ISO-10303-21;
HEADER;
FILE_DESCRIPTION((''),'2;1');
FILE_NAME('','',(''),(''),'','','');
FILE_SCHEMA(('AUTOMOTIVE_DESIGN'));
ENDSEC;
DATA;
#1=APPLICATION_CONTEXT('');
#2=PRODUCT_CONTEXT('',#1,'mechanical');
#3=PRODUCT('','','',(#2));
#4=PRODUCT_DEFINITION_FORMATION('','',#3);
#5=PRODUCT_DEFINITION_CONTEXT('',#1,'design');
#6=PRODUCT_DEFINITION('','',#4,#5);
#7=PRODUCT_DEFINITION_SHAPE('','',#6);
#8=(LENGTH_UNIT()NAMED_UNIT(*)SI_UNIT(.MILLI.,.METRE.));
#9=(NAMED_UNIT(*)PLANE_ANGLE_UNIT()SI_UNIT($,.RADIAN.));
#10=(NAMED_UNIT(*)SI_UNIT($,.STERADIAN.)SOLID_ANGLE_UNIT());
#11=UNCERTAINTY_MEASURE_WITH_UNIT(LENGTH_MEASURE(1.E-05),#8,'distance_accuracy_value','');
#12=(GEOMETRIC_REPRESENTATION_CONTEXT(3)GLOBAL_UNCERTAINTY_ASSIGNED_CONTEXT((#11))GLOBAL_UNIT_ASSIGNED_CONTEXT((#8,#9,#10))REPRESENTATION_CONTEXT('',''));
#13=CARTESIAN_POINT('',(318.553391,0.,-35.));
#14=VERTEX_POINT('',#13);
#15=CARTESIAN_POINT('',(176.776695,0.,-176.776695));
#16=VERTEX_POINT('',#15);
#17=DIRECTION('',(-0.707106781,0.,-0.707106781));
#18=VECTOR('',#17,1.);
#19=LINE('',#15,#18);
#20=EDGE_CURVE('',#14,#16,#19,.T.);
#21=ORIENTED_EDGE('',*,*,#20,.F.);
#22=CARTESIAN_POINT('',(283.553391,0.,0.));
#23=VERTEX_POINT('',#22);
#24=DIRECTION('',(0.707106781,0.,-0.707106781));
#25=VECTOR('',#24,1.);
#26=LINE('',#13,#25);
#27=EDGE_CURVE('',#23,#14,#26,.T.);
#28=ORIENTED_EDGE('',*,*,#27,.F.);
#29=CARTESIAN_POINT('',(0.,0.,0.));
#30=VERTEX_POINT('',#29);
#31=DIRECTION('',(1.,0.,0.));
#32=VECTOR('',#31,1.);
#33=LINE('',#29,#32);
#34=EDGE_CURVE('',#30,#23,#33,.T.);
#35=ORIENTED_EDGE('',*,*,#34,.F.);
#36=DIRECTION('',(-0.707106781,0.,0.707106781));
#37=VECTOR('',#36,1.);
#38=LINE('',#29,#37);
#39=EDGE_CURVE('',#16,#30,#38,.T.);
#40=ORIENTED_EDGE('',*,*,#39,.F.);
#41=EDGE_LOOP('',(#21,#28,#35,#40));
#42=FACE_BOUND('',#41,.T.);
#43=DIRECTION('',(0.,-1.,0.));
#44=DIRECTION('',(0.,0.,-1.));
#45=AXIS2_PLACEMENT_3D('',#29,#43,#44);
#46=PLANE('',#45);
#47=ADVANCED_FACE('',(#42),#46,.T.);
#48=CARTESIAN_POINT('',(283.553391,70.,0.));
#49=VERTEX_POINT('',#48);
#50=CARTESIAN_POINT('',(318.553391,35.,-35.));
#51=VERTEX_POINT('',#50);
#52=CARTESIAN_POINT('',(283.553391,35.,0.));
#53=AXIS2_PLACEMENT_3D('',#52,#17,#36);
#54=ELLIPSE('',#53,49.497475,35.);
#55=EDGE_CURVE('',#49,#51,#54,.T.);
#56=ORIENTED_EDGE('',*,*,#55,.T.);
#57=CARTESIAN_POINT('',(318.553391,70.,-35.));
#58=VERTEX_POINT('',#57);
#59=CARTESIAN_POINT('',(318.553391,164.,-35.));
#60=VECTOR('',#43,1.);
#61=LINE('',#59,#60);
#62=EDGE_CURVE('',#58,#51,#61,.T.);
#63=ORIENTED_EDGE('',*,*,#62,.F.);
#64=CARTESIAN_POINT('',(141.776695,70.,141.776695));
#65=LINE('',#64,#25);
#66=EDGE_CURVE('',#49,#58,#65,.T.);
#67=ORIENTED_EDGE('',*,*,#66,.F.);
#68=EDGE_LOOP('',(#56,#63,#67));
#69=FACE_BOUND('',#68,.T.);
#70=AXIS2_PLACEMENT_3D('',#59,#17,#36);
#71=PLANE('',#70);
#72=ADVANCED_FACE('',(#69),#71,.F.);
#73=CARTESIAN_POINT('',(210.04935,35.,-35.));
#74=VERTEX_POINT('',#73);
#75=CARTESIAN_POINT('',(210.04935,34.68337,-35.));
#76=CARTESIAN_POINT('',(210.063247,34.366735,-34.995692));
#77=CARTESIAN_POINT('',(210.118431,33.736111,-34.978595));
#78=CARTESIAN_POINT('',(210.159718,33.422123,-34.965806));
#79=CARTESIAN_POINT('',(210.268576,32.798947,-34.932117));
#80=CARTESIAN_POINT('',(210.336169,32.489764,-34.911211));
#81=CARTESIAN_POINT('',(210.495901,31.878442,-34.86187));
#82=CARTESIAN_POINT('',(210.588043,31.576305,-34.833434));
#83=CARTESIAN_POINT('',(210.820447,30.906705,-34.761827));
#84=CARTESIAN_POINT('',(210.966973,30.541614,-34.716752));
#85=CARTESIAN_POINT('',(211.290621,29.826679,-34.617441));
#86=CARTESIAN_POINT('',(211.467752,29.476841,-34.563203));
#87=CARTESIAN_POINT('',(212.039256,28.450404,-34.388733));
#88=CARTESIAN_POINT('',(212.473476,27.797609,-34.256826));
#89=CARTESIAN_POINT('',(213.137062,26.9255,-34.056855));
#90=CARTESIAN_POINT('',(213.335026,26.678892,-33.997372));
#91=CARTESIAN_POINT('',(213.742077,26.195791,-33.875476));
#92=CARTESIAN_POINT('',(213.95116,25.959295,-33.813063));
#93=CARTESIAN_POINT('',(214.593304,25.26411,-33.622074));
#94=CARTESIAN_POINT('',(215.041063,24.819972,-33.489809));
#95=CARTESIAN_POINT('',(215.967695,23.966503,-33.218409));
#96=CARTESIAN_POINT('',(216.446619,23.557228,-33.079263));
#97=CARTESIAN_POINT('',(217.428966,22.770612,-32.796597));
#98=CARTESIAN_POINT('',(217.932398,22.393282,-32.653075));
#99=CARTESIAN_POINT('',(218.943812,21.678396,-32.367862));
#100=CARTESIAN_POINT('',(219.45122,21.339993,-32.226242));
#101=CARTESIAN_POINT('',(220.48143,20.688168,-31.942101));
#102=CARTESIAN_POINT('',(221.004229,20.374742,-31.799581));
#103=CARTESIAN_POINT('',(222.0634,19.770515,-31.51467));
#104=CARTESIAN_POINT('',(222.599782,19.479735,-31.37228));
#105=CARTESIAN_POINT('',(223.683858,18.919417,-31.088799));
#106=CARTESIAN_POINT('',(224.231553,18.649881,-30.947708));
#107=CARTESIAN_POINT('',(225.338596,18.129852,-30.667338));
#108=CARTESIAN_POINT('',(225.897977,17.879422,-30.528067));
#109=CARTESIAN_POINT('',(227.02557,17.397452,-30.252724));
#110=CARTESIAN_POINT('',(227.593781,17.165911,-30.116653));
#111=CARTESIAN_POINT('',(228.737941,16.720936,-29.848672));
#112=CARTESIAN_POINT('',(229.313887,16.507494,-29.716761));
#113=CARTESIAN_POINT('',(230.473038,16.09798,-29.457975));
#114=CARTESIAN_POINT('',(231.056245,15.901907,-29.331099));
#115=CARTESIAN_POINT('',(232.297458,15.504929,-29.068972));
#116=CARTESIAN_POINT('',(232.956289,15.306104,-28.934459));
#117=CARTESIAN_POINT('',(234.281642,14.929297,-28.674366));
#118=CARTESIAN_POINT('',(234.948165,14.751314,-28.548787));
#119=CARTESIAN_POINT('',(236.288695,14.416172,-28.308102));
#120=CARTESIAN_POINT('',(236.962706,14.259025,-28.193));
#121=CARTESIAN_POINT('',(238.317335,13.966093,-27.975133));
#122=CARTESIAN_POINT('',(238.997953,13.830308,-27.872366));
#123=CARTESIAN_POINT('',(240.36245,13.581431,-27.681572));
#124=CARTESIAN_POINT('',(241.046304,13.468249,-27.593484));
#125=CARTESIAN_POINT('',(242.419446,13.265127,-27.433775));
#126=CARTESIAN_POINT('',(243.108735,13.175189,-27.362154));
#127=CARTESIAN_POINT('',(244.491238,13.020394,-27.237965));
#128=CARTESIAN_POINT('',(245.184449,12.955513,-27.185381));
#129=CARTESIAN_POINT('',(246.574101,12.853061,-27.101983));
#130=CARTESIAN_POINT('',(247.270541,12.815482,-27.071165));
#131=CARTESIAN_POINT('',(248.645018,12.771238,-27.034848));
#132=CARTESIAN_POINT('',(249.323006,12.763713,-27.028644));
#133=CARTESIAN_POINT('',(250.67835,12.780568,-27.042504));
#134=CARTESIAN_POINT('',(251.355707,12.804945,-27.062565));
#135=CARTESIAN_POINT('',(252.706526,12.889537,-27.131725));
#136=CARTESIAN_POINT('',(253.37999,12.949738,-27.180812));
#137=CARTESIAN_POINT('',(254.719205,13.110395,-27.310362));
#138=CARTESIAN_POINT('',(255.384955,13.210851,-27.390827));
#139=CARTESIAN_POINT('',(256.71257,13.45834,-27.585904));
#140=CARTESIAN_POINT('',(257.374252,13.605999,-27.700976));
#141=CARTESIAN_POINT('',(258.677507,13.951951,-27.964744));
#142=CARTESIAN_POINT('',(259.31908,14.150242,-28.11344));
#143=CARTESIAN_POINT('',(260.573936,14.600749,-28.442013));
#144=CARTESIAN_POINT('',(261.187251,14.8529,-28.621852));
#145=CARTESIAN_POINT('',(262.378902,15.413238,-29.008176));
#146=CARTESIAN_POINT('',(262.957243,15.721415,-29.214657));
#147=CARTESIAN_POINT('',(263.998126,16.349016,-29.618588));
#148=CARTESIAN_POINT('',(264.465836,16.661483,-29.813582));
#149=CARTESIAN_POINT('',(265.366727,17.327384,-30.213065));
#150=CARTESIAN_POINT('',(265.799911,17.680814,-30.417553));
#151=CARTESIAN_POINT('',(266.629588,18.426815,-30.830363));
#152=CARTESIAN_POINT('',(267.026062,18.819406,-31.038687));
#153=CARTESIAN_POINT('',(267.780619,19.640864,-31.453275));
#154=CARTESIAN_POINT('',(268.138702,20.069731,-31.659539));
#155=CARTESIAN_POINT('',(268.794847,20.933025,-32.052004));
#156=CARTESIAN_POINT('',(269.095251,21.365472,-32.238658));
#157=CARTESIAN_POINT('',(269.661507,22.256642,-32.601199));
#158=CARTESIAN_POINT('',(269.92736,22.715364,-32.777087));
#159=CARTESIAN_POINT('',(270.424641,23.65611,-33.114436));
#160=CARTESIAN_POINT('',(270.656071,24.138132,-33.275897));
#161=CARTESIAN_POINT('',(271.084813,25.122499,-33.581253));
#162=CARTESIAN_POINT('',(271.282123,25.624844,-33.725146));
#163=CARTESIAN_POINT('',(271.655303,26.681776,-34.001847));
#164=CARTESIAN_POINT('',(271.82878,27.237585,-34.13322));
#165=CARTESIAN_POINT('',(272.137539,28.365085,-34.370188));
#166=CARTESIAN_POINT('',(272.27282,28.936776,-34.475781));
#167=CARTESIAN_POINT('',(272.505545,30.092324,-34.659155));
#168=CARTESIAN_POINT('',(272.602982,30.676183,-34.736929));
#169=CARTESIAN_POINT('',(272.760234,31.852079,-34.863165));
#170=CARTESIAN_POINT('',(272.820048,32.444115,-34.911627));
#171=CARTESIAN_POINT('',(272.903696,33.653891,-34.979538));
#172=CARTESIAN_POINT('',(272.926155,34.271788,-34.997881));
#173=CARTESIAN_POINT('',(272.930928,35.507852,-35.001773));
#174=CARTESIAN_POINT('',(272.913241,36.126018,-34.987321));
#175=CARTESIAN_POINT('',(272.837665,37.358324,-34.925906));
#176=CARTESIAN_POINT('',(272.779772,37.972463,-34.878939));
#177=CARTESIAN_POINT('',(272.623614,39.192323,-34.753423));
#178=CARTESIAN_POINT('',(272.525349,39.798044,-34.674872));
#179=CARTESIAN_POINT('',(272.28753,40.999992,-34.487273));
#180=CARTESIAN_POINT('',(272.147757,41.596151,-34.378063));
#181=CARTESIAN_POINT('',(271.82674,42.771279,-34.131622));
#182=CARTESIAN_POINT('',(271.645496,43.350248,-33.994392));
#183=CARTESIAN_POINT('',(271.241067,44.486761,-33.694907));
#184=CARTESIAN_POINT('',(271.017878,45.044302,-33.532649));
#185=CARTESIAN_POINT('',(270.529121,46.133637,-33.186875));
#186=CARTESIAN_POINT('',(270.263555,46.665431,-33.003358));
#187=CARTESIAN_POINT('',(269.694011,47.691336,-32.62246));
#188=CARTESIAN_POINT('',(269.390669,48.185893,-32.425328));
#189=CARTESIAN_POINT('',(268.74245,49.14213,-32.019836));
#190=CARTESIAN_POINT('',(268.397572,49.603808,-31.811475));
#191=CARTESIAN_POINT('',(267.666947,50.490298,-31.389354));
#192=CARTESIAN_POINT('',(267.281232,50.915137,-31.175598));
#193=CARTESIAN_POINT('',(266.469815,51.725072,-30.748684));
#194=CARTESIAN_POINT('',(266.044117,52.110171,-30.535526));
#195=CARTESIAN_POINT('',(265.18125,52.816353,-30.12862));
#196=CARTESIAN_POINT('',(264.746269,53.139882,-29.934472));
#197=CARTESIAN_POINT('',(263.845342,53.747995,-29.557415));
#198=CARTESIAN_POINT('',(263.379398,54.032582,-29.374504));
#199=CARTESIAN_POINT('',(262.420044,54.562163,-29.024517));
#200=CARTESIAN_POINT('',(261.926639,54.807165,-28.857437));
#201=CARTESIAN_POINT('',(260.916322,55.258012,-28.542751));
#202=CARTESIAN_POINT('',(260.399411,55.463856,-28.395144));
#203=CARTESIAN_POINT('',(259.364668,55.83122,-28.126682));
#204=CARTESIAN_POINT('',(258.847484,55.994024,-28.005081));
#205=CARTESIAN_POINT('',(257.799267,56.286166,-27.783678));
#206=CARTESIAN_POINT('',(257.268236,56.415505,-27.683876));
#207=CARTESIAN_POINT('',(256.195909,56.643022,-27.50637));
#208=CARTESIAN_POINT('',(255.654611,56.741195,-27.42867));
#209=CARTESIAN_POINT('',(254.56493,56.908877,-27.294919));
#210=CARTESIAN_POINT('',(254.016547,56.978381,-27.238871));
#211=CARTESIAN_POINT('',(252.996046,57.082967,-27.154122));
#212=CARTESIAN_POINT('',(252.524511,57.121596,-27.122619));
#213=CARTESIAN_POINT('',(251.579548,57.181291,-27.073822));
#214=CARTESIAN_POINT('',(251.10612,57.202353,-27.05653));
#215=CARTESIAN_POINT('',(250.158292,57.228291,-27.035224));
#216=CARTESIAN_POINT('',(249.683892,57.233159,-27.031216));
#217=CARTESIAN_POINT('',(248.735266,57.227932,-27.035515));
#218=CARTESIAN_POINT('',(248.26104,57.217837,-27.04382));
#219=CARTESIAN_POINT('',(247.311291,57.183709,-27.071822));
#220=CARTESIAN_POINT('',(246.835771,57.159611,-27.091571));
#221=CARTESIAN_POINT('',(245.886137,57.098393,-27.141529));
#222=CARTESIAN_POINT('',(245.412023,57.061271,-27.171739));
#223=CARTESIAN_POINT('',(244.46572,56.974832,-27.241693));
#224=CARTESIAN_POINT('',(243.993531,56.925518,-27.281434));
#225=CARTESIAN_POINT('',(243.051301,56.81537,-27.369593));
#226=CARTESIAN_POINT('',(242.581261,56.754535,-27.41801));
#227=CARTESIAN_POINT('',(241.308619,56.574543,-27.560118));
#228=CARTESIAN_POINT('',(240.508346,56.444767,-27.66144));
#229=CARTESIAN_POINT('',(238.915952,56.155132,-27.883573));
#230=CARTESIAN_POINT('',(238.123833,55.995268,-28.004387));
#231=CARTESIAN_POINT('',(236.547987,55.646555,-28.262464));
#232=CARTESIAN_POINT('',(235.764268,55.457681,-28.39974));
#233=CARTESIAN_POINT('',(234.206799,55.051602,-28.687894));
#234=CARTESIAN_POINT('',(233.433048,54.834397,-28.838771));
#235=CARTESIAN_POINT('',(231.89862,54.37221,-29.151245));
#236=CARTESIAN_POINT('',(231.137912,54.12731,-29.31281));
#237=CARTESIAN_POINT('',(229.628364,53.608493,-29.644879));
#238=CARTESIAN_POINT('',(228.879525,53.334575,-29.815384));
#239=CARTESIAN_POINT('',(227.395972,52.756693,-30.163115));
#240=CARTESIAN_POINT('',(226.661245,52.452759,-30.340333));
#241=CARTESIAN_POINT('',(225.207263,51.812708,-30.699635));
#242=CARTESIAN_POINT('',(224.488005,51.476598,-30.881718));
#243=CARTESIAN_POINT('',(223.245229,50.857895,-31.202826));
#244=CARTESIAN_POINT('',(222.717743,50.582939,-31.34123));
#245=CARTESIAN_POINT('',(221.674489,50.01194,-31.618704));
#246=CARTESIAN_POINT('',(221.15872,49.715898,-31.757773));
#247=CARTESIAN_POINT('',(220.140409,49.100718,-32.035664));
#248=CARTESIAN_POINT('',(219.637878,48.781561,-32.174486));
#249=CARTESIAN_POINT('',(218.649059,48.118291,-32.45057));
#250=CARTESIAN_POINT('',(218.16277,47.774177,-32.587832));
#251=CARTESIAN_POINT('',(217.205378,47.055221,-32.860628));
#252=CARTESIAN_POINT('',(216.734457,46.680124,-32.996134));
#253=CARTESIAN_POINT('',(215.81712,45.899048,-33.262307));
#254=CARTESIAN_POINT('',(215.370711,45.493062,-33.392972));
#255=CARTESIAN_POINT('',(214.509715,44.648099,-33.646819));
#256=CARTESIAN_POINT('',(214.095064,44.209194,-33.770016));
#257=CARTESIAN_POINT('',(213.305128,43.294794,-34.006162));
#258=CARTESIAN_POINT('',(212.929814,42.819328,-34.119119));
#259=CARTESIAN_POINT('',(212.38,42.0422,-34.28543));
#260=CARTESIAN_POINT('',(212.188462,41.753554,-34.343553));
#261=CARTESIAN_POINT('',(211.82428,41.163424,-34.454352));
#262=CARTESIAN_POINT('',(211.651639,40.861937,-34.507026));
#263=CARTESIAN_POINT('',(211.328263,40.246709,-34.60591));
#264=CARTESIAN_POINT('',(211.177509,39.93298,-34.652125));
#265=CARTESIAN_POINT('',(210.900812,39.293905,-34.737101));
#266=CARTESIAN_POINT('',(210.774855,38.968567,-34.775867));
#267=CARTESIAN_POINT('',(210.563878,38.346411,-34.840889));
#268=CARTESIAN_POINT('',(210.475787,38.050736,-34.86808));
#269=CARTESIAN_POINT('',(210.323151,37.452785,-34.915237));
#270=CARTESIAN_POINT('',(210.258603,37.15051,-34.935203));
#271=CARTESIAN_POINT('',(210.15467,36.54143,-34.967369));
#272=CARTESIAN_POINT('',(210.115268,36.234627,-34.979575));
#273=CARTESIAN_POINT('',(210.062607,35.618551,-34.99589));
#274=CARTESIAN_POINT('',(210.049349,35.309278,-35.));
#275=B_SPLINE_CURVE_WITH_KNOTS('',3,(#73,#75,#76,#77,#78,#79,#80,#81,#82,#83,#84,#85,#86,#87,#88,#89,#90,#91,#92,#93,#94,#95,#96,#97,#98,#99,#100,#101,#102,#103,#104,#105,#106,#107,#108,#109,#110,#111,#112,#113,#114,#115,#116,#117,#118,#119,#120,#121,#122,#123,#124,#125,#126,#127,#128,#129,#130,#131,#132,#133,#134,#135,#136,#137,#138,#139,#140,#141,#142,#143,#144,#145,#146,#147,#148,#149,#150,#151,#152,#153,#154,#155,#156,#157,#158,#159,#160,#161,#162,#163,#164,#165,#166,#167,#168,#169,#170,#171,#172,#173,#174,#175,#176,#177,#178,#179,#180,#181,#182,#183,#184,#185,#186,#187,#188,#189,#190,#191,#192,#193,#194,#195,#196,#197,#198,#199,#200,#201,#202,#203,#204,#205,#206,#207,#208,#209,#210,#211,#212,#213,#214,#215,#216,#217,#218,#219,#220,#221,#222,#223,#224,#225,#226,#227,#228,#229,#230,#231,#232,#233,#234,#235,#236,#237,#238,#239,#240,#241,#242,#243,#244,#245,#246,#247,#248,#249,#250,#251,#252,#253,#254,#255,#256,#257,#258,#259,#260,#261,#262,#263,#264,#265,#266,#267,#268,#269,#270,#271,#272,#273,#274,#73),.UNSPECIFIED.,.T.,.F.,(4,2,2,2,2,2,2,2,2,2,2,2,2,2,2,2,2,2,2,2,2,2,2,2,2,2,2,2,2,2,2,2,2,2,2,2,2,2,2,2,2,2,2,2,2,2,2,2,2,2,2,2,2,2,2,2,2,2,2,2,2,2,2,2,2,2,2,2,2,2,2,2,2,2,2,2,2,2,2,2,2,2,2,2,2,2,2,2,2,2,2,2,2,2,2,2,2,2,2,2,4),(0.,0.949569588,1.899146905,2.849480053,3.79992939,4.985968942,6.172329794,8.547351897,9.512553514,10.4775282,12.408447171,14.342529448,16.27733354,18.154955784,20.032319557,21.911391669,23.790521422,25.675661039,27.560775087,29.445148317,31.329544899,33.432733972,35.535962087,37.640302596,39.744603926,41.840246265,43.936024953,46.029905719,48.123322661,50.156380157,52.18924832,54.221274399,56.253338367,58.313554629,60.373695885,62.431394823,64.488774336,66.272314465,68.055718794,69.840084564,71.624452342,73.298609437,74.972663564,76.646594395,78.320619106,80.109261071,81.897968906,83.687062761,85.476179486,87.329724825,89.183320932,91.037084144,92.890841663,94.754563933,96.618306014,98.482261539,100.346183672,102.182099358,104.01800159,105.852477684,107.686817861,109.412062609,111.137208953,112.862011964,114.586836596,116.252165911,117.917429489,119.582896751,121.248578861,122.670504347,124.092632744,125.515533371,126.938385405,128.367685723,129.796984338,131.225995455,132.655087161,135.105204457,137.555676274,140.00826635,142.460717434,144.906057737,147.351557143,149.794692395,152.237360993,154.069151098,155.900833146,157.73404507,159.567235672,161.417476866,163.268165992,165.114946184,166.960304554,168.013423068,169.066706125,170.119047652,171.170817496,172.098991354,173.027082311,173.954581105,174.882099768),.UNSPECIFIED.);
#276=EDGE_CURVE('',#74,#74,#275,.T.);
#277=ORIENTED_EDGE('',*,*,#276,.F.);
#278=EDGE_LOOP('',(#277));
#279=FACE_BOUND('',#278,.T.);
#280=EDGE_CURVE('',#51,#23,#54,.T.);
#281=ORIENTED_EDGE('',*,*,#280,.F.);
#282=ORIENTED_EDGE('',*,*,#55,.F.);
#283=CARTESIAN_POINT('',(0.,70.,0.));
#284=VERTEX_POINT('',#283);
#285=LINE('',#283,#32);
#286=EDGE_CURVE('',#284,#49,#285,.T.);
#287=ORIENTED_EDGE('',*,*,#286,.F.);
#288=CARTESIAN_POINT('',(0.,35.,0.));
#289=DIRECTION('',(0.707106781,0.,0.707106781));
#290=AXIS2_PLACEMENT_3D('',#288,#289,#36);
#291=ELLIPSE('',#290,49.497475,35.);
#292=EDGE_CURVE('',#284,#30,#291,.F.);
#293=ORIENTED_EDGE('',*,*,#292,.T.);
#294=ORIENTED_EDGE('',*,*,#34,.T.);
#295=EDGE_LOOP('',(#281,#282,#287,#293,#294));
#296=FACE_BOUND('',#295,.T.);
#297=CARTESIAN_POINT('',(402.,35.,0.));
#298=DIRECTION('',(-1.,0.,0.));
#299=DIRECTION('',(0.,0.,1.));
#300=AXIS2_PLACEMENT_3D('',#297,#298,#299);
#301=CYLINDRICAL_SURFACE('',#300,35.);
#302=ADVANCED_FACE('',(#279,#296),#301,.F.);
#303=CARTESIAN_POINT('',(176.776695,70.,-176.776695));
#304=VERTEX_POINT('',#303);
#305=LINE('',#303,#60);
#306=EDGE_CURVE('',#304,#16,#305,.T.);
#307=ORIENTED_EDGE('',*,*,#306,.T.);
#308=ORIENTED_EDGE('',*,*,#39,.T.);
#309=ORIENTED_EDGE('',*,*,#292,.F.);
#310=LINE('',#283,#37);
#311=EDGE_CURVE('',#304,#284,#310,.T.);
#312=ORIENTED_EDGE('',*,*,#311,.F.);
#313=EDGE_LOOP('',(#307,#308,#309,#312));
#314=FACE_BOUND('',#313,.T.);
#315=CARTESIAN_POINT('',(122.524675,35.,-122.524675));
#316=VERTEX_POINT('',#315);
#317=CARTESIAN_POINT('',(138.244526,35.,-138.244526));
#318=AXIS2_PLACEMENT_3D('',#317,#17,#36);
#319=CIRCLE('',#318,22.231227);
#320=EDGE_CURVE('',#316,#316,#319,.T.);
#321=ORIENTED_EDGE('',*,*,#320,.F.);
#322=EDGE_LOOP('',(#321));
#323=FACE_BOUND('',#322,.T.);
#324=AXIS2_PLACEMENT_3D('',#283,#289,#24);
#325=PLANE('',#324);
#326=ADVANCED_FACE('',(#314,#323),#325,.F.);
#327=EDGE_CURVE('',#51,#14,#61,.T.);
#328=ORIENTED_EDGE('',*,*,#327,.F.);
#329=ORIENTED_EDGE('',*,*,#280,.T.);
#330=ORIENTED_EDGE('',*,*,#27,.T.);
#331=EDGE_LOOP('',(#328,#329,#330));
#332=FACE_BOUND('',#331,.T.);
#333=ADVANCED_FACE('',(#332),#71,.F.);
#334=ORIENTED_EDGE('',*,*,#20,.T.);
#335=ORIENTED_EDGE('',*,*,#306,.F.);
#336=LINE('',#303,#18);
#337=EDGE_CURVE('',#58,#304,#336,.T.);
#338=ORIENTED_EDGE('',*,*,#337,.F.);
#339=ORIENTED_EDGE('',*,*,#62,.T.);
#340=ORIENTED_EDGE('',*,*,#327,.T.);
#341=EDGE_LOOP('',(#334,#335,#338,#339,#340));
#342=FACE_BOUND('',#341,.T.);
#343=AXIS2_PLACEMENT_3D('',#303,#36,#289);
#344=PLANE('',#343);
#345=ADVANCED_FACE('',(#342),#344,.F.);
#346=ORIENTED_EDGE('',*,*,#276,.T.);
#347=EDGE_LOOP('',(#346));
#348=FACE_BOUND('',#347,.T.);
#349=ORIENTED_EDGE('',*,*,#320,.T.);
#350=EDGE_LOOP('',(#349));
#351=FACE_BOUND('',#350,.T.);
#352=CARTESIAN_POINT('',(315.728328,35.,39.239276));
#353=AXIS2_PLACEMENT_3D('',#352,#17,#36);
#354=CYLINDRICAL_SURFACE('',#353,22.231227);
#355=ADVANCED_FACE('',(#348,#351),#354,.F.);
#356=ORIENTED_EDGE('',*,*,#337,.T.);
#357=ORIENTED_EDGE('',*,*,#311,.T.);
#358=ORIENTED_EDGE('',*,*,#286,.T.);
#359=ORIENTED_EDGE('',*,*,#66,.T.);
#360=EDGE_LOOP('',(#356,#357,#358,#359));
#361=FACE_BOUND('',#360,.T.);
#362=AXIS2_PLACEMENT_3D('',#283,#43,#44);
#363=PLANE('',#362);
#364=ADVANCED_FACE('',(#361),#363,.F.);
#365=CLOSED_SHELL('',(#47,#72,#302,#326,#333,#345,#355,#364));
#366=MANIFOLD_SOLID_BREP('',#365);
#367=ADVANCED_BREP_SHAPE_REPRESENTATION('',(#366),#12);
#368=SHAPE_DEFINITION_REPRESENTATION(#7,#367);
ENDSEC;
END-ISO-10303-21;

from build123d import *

# Parameters (mm, degrees)
BOSS_EXTRUDE1_DEPTH = 70
CUT_EXTRUDE1_DEPTH  = 402
CUT_EXTRUDE3_DEPTH  = 164
SKETCH5_R           = 22.231226606
CUT_EXTRUDE4_DEPTH  = 251


with BuildPart() as part:
    # Sketch1 → Boss-Extrude1 (new body)
    with BuildSketch(Plane(origin=(0, 0, 0), x_dir=(1, 0, 0), z_dir=(0, 1, 0))):
        Polygon((0, 0), (353.553390593, 0), (176.776695297, 176.776695297), align=None)
    extrude(amount=BOSS_EXTRUDE1_DEPTH)

    # Sketch3 → Cut-Extrude1 (cut)
    with BuildSketch(Plane(origin=(0, 0, 0), x_dir=(0, 0, -1), z_dir=(1, 0, 0))):
        with BuildLine():
            Line((0, 70), (0, 0))
            ThreePointArc((0, 0), (35, 35), (0, 70))
        make_face()
    extrude(amount=CUT_EXTRUDE1_DEPTH, mode=Mode.SUBTRACT)

    # Sketch4 → Cut-Extrude3 (cut)
    with BuildSketch(Plane.XZ):
        Polygon((318.553390593, -35), (283.553390593, 0), (353.553390593, 0), align=None)
    extrude(amount=-CUT_EXTRUDE3_DEPTH, mode=Mode.SUBTRACT)

    # Sketch5 → Cut-Extrude4 (cut)
    with BuildSketch(Plane(origin=(0, 0, 0), x_dir=(-0.7071067811865462, 0, 0.7071067811865489), z_dir=(-0.7071067811865489, 0, -0.7071067811865462))):
        with Locations((-195.507283553, 35)):
            Circle(SKETCH5_R)
    extrude(amount=-CUT_EXTRUDE4_DEPTH, mode=Mode.SUBTRACT)


solid = part.part
